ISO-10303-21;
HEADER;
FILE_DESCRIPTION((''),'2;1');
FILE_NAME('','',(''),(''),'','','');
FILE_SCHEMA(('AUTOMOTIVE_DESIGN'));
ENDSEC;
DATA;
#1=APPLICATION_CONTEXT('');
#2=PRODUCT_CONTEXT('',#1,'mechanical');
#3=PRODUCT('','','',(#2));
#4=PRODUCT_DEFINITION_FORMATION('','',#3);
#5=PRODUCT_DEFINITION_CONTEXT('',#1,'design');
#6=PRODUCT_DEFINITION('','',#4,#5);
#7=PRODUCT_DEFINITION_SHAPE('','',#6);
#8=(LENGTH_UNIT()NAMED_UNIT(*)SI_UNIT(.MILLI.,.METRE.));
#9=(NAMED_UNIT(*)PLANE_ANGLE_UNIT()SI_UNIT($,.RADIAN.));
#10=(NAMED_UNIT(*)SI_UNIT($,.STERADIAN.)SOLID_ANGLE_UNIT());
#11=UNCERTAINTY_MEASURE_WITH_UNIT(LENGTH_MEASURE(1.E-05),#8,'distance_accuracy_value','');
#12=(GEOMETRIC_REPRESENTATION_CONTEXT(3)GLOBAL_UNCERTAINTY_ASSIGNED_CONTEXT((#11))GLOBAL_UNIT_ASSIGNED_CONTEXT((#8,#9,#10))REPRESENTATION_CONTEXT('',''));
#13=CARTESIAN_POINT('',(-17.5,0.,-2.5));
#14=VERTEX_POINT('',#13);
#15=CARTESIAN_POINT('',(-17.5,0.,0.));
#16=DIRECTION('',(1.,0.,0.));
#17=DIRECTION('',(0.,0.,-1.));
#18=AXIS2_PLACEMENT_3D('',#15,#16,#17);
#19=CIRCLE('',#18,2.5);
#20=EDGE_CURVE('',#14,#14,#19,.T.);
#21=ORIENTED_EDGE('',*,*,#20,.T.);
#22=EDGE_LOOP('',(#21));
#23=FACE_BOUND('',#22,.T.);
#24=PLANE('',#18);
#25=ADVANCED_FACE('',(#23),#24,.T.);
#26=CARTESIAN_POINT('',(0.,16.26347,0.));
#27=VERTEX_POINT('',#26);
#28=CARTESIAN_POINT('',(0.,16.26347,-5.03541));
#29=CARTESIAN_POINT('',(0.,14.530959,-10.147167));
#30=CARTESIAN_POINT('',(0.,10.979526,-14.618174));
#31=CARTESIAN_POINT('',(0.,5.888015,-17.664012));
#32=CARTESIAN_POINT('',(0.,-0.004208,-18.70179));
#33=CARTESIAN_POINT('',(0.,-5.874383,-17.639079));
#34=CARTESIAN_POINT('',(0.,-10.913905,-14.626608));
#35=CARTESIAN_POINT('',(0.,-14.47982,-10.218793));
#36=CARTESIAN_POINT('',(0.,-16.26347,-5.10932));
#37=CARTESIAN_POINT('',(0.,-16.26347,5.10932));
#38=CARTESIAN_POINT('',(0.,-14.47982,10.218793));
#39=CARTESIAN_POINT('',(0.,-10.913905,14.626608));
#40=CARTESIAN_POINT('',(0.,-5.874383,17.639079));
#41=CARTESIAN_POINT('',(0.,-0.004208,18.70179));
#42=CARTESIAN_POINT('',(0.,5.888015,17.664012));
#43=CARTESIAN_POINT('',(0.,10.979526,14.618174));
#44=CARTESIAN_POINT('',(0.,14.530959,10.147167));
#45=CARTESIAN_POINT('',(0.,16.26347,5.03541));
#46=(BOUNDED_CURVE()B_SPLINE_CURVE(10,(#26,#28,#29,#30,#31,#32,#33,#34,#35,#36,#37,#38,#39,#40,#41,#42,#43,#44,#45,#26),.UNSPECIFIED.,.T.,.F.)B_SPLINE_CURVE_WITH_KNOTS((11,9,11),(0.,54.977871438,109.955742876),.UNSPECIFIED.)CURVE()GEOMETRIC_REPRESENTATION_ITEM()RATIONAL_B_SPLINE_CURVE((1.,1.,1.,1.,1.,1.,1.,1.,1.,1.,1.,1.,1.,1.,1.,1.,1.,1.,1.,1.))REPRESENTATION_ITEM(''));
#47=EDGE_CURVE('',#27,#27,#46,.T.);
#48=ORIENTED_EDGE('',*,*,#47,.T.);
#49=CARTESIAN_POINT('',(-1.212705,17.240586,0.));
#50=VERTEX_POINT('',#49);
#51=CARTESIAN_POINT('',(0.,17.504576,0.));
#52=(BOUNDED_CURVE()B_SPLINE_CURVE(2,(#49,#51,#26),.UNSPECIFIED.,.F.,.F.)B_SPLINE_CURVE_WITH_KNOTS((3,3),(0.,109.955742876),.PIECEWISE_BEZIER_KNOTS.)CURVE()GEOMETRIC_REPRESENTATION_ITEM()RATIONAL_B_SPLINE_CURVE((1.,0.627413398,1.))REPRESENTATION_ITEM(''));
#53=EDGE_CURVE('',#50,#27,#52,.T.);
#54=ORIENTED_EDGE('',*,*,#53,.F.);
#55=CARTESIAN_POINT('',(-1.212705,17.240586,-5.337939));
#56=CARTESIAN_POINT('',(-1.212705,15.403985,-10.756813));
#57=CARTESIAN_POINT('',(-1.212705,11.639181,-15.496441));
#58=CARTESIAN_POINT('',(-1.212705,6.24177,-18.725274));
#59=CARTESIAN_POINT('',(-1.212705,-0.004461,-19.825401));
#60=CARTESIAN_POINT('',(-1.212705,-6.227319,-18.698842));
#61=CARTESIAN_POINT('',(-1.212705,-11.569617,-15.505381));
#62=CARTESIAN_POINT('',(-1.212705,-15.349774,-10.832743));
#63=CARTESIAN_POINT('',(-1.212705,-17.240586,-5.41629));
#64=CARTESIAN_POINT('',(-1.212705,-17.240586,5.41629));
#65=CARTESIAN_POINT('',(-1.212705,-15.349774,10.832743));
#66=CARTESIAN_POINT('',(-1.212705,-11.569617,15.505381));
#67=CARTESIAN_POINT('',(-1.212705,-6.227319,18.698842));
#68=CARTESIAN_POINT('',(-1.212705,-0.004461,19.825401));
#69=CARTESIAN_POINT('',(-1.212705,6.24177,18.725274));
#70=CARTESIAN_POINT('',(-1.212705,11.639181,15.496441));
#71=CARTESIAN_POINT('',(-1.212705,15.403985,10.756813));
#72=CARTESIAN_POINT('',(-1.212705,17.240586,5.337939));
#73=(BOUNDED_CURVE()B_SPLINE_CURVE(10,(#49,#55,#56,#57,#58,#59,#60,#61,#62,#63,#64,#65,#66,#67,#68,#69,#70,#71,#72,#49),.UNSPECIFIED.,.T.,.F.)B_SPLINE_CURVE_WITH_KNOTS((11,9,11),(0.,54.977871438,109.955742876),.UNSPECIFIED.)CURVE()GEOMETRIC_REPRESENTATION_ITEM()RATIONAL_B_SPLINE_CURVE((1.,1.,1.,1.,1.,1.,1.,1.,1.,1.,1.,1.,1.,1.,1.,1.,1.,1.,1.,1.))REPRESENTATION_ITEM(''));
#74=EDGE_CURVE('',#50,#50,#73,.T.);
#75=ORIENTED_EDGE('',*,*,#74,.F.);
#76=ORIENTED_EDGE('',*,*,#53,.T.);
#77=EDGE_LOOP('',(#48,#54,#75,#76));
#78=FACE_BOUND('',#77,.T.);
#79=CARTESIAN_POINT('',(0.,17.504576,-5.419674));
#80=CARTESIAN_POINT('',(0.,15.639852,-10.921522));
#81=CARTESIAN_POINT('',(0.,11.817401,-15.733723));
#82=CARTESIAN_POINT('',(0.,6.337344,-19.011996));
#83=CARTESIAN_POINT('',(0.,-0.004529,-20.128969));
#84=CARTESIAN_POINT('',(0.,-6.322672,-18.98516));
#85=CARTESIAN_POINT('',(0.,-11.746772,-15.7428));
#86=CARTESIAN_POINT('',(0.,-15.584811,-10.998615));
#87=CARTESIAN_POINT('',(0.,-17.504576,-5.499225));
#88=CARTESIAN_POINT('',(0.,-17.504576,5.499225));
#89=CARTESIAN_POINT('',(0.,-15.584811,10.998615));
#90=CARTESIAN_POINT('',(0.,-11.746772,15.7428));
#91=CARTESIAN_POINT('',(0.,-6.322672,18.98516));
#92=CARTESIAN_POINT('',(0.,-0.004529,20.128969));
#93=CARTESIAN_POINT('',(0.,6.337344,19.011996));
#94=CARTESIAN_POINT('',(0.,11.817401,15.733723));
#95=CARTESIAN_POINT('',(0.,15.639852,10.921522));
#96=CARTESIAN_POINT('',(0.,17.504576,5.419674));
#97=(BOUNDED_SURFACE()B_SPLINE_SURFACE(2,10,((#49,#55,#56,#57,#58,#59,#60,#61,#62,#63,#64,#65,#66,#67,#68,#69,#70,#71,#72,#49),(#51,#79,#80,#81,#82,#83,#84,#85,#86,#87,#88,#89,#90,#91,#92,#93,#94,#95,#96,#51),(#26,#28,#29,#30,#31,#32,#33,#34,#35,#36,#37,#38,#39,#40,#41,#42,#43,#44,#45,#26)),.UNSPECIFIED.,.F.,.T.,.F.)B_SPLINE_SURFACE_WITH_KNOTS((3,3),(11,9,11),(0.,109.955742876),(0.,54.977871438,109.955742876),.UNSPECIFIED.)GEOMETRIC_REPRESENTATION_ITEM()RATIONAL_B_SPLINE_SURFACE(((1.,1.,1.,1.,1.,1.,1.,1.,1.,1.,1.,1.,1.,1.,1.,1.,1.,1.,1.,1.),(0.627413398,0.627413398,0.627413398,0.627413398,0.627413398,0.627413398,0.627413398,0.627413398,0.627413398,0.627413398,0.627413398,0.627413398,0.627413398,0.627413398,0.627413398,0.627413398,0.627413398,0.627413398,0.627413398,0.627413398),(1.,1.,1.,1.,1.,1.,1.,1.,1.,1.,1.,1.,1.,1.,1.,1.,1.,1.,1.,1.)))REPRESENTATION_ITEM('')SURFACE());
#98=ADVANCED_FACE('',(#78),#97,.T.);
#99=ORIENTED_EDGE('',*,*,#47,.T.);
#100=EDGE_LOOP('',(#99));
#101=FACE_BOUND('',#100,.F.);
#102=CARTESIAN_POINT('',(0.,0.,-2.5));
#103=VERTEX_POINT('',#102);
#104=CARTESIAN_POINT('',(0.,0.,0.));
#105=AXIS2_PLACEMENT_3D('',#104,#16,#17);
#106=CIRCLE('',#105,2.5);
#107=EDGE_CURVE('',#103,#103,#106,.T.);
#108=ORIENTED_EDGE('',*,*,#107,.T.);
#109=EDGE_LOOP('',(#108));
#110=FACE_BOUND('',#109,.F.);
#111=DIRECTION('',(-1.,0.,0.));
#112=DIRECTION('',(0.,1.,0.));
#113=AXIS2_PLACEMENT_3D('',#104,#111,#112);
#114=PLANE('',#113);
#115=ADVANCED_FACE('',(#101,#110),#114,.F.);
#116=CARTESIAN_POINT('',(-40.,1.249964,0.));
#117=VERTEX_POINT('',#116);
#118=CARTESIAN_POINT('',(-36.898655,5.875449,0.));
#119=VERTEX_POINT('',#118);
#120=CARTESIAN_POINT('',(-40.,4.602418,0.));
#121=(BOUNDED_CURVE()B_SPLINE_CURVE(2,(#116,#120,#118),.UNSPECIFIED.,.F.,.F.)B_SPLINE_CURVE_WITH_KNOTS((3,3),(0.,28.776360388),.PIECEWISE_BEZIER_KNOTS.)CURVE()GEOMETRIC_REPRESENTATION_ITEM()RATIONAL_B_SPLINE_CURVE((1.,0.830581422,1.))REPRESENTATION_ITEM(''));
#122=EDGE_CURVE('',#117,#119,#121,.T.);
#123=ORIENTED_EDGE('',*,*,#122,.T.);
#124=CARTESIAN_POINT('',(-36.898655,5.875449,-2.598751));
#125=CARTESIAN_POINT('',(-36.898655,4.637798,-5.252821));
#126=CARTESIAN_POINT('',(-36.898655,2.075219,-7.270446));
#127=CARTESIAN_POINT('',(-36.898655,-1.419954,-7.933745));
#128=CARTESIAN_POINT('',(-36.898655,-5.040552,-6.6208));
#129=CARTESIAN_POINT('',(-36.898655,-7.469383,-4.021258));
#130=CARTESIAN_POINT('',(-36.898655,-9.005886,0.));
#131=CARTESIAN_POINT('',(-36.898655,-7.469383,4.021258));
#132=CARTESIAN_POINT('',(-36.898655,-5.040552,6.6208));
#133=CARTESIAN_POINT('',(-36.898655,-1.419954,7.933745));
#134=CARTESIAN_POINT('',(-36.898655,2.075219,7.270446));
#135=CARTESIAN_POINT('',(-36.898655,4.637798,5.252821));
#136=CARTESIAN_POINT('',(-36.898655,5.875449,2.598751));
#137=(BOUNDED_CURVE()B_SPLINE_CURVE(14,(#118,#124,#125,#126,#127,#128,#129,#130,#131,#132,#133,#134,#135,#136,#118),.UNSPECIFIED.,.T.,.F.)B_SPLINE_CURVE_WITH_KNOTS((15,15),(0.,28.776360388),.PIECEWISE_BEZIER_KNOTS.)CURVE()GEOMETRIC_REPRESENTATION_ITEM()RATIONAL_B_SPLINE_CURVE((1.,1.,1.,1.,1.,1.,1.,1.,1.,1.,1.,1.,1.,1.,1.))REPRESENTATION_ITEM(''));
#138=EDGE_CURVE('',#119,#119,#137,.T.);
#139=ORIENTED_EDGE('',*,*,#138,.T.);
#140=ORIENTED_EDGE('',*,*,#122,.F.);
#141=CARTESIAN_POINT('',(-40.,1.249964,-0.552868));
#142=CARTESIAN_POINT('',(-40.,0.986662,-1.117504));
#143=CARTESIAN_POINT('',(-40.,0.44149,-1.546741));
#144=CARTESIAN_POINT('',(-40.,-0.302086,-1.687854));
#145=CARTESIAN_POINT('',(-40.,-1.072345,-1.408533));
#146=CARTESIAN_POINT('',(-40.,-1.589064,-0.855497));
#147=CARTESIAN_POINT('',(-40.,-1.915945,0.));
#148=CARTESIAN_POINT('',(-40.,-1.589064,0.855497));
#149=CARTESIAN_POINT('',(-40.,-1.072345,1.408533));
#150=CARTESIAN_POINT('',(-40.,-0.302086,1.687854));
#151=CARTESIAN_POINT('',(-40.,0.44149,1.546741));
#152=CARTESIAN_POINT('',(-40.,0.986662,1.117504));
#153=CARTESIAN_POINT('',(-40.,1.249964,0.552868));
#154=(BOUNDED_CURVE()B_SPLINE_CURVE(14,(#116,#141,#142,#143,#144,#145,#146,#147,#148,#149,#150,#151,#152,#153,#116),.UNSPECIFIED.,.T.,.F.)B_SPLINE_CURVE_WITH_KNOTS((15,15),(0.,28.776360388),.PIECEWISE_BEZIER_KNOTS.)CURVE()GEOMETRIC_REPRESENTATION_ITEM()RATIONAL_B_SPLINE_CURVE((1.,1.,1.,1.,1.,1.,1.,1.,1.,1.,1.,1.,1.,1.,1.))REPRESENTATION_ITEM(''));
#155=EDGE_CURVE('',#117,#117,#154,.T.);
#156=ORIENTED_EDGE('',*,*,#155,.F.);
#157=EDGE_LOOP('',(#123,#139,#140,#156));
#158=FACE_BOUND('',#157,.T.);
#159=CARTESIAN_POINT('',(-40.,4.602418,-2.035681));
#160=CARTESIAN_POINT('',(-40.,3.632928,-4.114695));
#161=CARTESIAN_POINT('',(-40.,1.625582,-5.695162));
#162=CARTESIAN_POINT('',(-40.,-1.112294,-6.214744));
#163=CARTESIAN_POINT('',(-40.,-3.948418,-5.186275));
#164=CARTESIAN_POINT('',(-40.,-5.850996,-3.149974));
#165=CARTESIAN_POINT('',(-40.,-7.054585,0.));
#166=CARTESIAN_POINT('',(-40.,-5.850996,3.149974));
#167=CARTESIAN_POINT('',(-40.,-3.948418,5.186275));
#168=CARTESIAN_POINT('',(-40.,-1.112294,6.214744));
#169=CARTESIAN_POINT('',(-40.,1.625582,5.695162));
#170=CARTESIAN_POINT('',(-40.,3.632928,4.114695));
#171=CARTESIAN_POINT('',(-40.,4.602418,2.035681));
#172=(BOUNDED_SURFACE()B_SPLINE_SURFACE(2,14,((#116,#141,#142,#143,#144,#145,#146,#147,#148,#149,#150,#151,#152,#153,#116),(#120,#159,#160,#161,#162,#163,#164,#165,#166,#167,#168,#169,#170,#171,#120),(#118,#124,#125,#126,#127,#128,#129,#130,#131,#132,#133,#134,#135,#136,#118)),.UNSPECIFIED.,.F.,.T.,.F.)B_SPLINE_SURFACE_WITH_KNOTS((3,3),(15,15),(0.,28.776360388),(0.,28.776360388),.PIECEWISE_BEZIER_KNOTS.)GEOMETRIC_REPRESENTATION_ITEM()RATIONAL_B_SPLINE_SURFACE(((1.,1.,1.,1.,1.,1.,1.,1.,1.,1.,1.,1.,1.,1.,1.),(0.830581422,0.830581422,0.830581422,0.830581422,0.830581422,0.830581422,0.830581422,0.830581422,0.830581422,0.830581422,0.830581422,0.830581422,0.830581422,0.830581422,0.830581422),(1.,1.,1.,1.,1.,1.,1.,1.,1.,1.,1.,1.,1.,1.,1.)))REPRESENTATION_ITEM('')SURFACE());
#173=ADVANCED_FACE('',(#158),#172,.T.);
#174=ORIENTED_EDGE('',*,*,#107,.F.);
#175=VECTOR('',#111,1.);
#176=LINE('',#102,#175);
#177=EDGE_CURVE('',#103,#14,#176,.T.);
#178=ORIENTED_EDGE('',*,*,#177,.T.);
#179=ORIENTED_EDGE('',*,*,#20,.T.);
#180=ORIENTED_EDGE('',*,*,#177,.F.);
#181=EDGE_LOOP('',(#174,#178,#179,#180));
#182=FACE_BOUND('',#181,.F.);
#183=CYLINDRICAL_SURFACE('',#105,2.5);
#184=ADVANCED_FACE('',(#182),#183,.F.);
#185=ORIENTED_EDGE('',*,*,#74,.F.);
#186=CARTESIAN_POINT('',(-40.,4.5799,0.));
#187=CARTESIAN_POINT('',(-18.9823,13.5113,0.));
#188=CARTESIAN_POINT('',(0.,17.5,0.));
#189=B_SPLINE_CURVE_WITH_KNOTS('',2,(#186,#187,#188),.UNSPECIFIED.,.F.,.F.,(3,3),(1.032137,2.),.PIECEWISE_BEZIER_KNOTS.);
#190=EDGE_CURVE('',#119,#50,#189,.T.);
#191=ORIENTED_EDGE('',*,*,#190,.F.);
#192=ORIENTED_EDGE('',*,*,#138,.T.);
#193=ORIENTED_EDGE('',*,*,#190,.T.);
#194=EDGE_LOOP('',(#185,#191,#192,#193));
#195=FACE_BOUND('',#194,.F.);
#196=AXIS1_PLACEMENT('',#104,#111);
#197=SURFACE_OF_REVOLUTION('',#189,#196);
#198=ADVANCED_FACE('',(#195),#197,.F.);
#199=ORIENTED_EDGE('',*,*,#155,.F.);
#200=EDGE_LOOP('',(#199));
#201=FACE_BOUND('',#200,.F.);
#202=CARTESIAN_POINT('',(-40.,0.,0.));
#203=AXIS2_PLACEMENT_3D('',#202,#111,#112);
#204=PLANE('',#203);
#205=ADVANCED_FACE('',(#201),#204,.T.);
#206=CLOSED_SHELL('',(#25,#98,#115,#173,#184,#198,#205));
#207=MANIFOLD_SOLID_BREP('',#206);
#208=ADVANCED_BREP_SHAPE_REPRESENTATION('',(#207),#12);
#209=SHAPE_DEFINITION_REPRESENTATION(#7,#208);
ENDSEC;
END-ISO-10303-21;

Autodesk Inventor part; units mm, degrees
ref_plane "YZ Plane" through (0, 0, 0) normal (1, 0, 0) x (0, 1, 0)
ref_plane "XZ Plane" through (0, 0, 0) normal (0, 1, 0) x (-1, 0, 0)
ref_plane "XY Plane" through (0, 0, 0) normal (0, 0, 1) x (1, 0, 0)
sketch "Skizze1" plane through (0, 0, 0) normal (0, 0, 1) x (1, 0, 0)
  line L0 (0, 0) -> (-40, 0)
  line L1 (-18.9823, 13.5113) -> (0, 17.5) construction
  spline S0 degree 2 poles (-40, 4.5799) (-18.9823, 13.5113) (0, 17.5) knots 1.032137 1.032137 1.032137 2 2 2
  line L2 (0, 17.5) -> (0, 0)
  line L3 (-40, 0) -> (-40, 4.5799)
  line L4 (-40, 4.5799) -> (-18.9823, 13.5113) construction
  dimension "d1" = 17.5
  dimension "d2" = 40
revolve "Umdrehung1" add sketch "Skizze1" angle 360 about axis through (0, 0, 0) along (-1, 0, 0)
fillet "Rundung1" radius 5 1 edges at (-40, -4.5799, 0)
sketch "Skizze2" plane through (0, 0, 0) normal (1, 0, 0) x (0, 0, -1)
  circle A0 centre (0, 0) radius 2.5
  dimension "d4" = 5
extrude "Extrusion1" cut sketch "Skizze2" against normal blind 17.5
fillet "Rundung2" radius 1 1 edges at (0, -17.5, 0)
properties part number "P_MotorNose" material "ABS-Kunststoff"
